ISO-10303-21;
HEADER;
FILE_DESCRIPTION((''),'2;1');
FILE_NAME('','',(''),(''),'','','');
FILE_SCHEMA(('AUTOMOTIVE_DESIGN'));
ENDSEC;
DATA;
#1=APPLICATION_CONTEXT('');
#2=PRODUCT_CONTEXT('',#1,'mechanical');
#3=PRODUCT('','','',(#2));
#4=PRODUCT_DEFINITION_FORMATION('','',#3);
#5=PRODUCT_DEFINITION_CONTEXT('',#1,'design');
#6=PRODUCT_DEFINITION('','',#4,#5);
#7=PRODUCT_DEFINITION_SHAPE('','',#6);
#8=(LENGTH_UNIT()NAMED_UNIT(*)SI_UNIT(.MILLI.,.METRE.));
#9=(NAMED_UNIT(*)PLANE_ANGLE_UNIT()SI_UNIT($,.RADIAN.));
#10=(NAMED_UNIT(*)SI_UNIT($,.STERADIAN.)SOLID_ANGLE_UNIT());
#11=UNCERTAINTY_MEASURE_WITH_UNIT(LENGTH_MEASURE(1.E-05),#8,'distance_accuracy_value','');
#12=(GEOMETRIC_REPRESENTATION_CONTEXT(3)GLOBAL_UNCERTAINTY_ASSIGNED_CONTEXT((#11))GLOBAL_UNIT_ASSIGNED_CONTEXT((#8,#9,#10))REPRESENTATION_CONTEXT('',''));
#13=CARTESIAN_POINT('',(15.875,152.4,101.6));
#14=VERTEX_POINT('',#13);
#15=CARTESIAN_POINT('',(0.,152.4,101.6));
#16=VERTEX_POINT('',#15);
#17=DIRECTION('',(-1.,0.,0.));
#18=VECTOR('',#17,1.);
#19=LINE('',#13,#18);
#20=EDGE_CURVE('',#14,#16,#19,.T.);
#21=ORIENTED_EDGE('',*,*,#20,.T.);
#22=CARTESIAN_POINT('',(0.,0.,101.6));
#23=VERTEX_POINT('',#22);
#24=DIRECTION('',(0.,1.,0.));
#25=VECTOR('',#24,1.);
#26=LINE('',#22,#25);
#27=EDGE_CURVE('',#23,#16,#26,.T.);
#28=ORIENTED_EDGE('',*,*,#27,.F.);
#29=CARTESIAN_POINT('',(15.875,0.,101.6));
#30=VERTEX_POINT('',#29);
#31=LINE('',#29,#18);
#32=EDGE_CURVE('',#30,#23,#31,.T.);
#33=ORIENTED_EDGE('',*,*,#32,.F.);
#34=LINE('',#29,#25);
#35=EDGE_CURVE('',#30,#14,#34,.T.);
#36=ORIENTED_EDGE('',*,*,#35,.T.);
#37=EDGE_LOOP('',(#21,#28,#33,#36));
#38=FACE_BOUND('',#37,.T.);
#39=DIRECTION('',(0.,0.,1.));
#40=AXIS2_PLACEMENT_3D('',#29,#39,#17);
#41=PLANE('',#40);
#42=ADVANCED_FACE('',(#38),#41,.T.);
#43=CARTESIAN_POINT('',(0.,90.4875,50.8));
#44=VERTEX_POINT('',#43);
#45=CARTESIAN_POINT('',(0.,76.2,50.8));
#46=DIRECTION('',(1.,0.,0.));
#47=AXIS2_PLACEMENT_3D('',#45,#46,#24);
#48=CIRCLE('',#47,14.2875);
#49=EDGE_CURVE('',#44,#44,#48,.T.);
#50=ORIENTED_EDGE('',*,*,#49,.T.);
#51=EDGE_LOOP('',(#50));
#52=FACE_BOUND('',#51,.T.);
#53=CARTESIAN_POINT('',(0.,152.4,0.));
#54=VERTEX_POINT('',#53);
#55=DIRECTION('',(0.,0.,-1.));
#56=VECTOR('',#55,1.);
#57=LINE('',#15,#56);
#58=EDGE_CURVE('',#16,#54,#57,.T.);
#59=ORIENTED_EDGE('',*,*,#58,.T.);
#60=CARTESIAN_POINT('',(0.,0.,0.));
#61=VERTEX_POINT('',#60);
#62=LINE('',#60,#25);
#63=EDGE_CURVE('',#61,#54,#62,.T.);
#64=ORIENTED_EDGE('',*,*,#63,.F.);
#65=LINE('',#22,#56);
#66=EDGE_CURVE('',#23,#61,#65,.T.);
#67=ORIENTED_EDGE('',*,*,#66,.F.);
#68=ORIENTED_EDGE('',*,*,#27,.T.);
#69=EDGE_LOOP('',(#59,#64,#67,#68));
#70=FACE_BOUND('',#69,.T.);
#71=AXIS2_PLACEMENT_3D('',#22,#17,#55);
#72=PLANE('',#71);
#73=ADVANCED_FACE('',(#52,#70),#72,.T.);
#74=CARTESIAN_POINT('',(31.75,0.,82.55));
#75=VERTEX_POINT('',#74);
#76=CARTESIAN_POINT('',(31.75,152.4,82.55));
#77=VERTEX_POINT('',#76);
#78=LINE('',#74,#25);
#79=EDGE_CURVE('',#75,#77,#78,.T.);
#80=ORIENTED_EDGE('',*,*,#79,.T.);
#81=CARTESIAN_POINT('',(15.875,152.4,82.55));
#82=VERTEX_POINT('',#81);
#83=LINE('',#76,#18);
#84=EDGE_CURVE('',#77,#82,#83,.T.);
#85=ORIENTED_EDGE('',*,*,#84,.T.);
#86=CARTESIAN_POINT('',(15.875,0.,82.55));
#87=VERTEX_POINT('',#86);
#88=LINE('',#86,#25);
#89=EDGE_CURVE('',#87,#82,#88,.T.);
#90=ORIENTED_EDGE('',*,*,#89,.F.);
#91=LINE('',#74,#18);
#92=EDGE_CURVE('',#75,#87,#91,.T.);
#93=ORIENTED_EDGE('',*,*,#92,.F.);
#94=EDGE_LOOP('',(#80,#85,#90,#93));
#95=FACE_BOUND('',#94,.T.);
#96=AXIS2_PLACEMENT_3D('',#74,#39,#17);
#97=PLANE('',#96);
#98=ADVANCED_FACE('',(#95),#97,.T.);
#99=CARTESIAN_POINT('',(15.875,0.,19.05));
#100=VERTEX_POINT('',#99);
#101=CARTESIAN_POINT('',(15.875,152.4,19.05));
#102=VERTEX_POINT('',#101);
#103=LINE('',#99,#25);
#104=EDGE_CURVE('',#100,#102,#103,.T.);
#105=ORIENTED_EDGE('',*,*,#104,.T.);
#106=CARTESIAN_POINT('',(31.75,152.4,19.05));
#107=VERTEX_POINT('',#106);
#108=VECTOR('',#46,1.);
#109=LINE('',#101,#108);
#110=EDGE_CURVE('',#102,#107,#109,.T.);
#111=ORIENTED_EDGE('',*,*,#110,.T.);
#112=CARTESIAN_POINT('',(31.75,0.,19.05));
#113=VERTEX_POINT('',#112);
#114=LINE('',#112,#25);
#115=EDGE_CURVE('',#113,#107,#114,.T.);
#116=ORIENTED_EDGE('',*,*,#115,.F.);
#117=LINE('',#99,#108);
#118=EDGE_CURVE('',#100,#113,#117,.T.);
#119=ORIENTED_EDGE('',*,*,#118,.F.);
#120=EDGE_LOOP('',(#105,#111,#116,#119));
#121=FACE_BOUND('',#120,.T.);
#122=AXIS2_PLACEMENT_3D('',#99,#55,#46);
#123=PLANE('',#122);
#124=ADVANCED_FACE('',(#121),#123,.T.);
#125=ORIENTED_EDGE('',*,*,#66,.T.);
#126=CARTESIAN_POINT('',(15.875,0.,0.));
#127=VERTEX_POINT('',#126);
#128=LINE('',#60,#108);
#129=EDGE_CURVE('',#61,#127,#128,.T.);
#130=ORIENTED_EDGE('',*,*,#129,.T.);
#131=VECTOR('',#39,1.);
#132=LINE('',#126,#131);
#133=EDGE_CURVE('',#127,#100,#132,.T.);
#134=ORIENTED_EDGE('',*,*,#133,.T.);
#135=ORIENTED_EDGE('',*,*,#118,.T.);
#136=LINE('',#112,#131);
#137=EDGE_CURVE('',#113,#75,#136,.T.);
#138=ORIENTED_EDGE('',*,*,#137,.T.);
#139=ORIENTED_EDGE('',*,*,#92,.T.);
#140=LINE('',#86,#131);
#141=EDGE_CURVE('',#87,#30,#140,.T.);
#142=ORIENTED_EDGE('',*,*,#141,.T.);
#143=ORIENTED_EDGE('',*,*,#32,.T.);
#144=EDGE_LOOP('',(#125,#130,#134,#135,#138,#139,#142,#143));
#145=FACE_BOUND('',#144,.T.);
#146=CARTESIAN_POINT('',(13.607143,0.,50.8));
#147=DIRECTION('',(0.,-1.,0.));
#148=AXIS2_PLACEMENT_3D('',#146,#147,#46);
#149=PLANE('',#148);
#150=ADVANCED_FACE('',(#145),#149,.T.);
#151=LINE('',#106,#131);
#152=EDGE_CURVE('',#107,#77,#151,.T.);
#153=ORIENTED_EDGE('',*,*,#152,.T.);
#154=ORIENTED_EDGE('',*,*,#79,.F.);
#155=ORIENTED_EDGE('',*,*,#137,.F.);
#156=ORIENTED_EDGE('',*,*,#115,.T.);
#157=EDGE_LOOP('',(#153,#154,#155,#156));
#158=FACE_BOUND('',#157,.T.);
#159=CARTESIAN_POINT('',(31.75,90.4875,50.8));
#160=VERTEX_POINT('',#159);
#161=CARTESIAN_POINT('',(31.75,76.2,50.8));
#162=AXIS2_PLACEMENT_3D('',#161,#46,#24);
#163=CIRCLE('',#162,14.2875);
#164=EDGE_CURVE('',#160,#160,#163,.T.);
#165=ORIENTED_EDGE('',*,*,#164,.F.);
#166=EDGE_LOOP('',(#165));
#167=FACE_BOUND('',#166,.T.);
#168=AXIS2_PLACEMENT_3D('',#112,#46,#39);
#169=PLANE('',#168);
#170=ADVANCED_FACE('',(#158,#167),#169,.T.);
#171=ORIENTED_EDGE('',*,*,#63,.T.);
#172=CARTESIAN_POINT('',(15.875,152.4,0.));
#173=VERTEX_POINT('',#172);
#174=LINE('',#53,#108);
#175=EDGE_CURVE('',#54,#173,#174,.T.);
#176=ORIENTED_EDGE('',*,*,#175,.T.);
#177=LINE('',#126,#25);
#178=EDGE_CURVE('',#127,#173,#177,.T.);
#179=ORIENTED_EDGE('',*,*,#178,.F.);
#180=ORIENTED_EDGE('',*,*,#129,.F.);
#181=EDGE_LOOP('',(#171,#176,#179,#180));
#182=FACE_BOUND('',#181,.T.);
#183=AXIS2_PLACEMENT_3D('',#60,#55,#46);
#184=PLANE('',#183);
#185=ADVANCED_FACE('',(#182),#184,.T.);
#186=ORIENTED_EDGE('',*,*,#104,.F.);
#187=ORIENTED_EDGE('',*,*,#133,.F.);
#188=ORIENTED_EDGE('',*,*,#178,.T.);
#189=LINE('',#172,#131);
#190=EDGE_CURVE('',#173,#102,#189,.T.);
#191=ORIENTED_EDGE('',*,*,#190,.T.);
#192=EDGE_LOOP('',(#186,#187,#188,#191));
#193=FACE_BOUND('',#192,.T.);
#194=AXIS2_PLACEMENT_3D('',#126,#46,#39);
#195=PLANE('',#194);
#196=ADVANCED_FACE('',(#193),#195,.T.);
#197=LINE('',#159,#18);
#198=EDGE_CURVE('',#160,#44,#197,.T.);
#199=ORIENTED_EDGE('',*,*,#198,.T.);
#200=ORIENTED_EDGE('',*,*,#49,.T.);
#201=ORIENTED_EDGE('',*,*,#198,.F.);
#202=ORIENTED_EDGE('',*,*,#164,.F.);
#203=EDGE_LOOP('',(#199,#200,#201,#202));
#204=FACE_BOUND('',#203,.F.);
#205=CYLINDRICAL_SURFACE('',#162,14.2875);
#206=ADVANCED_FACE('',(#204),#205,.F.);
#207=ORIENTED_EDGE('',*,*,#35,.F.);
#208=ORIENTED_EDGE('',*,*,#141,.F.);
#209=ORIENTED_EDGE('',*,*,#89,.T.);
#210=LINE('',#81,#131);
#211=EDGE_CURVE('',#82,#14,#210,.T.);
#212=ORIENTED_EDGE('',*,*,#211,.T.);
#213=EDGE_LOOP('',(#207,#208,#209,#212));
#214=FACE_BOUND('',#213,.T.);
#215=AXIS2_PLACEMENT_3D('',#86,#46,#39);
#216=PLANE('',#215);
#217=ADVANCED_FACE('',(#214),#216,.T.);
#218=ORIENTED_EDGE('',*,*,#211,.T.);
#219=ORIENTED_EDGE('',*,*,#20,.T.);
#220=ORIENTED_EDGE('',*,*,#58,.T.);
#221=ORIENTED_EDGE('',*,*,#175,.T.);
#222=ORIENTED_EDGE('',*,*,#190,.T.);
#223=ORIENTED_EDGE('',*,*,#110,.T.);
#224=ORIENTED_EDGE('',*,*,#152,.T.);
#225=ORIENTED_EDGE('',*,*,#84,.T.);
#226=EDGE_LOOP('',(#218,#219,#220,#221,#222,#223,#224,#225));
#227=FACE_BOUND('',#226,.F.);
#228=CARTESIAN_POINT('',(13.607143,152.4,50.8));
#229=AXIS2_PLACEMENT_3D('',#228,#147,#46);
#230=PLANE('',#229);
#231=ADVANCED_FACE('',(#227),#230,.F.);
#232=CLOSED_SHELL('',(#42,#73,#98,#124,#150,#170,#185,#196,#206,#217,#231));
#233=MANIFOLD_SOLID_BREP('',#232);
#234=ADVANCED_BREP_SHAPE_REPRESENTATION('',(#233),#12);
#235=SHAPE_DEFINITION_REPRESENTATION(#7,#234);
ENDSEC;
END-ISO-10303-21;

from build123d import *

# Parameters (mm, degrees)
F1_DEPTH = 152.4
F2_R     = 14.2875
F3_DEPTH = 31.75


with BuildPart() as f1:
    # F0 (on Front) → F1 (new body)
    with BuildSketch(Plane.XZ):
        Polygon((0, 101.6), (0, 0), (15.875, 0), (15.875, 19.05), (31.75, 19.05), (31.75, 82.55), (15.875, 82.55), (15.875, 101.6), align=None)
    extrude(amount=-F1_DEPTH)

    # F2 (on face) → F3 (cut)
    with BuildSketch(Plane.YZ.offset(31.75)):
        with Locations((76.2, 50.8)):
            Circle(F2_R)
    extrude(amount=-F3_DEPTH, mode=Mode.SUBTRACT)


solid = f1.part
